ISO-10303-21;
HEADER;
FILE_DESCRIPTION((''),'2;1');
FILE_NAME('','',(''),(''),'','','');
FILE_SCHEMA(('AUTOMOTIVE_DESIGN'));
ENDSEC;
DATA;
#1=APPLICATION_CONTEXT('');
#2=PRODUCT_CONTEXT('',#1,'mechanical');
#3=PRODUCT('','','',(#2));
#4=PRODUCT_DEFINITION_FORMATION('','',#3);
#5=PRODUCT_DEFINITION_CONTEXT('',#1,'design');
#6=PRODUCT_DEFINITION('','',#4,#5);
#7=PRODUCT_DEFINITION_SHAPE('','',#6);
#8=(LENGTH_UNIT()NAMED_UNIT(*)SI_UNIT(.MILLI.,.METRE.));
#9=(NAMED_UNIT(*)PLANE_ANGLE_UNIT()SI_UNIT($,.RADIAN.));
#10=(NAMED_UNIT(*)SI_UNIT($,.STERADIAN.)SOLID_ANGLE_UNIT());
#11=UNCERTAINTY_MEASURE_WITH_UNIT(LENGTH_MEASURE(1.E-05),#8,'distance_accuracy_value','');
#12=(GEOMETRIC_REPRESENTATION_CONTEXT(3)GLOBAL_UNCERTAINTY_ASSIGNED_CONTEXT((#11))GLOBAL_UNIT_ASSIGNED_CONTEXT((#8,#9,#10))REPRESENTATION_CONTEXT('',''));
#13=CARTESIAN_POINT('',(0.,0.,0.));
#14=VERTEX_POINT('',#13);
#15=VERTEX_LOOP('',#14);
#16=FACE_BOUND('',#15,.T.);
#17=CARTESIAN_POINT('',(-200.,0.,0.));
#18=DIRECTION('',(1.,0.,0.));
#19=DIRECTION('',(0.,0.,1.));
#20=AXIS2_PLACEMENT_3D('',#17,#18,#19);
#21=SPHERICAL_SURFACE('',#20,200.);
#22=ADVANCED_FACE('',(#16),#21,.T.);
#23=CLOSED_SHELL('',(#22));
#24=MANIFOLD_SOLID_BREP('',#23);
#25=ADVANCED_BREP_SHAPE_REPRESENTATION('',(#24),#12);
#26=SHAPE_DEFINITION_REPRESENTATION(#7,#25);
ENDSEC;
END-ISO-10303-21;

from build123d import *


with BuildPart() as part:
    # Sketch1 → Revolve1 (revolve)
    with BuildSketch(Plane(origin=(0, 0, 0), x_dir=(1, 0, 0), z_dir=(0, 1, 0))):
        with BuildLine():
            Line((0, 0), (-400, 0))
            ThreePointArc((-400, 0), (-200, 200), (0, 0))
        make_face()
    revolve(axis=Axis((0, 0, 0), (-1, 0, 0)))


solid = part.part
